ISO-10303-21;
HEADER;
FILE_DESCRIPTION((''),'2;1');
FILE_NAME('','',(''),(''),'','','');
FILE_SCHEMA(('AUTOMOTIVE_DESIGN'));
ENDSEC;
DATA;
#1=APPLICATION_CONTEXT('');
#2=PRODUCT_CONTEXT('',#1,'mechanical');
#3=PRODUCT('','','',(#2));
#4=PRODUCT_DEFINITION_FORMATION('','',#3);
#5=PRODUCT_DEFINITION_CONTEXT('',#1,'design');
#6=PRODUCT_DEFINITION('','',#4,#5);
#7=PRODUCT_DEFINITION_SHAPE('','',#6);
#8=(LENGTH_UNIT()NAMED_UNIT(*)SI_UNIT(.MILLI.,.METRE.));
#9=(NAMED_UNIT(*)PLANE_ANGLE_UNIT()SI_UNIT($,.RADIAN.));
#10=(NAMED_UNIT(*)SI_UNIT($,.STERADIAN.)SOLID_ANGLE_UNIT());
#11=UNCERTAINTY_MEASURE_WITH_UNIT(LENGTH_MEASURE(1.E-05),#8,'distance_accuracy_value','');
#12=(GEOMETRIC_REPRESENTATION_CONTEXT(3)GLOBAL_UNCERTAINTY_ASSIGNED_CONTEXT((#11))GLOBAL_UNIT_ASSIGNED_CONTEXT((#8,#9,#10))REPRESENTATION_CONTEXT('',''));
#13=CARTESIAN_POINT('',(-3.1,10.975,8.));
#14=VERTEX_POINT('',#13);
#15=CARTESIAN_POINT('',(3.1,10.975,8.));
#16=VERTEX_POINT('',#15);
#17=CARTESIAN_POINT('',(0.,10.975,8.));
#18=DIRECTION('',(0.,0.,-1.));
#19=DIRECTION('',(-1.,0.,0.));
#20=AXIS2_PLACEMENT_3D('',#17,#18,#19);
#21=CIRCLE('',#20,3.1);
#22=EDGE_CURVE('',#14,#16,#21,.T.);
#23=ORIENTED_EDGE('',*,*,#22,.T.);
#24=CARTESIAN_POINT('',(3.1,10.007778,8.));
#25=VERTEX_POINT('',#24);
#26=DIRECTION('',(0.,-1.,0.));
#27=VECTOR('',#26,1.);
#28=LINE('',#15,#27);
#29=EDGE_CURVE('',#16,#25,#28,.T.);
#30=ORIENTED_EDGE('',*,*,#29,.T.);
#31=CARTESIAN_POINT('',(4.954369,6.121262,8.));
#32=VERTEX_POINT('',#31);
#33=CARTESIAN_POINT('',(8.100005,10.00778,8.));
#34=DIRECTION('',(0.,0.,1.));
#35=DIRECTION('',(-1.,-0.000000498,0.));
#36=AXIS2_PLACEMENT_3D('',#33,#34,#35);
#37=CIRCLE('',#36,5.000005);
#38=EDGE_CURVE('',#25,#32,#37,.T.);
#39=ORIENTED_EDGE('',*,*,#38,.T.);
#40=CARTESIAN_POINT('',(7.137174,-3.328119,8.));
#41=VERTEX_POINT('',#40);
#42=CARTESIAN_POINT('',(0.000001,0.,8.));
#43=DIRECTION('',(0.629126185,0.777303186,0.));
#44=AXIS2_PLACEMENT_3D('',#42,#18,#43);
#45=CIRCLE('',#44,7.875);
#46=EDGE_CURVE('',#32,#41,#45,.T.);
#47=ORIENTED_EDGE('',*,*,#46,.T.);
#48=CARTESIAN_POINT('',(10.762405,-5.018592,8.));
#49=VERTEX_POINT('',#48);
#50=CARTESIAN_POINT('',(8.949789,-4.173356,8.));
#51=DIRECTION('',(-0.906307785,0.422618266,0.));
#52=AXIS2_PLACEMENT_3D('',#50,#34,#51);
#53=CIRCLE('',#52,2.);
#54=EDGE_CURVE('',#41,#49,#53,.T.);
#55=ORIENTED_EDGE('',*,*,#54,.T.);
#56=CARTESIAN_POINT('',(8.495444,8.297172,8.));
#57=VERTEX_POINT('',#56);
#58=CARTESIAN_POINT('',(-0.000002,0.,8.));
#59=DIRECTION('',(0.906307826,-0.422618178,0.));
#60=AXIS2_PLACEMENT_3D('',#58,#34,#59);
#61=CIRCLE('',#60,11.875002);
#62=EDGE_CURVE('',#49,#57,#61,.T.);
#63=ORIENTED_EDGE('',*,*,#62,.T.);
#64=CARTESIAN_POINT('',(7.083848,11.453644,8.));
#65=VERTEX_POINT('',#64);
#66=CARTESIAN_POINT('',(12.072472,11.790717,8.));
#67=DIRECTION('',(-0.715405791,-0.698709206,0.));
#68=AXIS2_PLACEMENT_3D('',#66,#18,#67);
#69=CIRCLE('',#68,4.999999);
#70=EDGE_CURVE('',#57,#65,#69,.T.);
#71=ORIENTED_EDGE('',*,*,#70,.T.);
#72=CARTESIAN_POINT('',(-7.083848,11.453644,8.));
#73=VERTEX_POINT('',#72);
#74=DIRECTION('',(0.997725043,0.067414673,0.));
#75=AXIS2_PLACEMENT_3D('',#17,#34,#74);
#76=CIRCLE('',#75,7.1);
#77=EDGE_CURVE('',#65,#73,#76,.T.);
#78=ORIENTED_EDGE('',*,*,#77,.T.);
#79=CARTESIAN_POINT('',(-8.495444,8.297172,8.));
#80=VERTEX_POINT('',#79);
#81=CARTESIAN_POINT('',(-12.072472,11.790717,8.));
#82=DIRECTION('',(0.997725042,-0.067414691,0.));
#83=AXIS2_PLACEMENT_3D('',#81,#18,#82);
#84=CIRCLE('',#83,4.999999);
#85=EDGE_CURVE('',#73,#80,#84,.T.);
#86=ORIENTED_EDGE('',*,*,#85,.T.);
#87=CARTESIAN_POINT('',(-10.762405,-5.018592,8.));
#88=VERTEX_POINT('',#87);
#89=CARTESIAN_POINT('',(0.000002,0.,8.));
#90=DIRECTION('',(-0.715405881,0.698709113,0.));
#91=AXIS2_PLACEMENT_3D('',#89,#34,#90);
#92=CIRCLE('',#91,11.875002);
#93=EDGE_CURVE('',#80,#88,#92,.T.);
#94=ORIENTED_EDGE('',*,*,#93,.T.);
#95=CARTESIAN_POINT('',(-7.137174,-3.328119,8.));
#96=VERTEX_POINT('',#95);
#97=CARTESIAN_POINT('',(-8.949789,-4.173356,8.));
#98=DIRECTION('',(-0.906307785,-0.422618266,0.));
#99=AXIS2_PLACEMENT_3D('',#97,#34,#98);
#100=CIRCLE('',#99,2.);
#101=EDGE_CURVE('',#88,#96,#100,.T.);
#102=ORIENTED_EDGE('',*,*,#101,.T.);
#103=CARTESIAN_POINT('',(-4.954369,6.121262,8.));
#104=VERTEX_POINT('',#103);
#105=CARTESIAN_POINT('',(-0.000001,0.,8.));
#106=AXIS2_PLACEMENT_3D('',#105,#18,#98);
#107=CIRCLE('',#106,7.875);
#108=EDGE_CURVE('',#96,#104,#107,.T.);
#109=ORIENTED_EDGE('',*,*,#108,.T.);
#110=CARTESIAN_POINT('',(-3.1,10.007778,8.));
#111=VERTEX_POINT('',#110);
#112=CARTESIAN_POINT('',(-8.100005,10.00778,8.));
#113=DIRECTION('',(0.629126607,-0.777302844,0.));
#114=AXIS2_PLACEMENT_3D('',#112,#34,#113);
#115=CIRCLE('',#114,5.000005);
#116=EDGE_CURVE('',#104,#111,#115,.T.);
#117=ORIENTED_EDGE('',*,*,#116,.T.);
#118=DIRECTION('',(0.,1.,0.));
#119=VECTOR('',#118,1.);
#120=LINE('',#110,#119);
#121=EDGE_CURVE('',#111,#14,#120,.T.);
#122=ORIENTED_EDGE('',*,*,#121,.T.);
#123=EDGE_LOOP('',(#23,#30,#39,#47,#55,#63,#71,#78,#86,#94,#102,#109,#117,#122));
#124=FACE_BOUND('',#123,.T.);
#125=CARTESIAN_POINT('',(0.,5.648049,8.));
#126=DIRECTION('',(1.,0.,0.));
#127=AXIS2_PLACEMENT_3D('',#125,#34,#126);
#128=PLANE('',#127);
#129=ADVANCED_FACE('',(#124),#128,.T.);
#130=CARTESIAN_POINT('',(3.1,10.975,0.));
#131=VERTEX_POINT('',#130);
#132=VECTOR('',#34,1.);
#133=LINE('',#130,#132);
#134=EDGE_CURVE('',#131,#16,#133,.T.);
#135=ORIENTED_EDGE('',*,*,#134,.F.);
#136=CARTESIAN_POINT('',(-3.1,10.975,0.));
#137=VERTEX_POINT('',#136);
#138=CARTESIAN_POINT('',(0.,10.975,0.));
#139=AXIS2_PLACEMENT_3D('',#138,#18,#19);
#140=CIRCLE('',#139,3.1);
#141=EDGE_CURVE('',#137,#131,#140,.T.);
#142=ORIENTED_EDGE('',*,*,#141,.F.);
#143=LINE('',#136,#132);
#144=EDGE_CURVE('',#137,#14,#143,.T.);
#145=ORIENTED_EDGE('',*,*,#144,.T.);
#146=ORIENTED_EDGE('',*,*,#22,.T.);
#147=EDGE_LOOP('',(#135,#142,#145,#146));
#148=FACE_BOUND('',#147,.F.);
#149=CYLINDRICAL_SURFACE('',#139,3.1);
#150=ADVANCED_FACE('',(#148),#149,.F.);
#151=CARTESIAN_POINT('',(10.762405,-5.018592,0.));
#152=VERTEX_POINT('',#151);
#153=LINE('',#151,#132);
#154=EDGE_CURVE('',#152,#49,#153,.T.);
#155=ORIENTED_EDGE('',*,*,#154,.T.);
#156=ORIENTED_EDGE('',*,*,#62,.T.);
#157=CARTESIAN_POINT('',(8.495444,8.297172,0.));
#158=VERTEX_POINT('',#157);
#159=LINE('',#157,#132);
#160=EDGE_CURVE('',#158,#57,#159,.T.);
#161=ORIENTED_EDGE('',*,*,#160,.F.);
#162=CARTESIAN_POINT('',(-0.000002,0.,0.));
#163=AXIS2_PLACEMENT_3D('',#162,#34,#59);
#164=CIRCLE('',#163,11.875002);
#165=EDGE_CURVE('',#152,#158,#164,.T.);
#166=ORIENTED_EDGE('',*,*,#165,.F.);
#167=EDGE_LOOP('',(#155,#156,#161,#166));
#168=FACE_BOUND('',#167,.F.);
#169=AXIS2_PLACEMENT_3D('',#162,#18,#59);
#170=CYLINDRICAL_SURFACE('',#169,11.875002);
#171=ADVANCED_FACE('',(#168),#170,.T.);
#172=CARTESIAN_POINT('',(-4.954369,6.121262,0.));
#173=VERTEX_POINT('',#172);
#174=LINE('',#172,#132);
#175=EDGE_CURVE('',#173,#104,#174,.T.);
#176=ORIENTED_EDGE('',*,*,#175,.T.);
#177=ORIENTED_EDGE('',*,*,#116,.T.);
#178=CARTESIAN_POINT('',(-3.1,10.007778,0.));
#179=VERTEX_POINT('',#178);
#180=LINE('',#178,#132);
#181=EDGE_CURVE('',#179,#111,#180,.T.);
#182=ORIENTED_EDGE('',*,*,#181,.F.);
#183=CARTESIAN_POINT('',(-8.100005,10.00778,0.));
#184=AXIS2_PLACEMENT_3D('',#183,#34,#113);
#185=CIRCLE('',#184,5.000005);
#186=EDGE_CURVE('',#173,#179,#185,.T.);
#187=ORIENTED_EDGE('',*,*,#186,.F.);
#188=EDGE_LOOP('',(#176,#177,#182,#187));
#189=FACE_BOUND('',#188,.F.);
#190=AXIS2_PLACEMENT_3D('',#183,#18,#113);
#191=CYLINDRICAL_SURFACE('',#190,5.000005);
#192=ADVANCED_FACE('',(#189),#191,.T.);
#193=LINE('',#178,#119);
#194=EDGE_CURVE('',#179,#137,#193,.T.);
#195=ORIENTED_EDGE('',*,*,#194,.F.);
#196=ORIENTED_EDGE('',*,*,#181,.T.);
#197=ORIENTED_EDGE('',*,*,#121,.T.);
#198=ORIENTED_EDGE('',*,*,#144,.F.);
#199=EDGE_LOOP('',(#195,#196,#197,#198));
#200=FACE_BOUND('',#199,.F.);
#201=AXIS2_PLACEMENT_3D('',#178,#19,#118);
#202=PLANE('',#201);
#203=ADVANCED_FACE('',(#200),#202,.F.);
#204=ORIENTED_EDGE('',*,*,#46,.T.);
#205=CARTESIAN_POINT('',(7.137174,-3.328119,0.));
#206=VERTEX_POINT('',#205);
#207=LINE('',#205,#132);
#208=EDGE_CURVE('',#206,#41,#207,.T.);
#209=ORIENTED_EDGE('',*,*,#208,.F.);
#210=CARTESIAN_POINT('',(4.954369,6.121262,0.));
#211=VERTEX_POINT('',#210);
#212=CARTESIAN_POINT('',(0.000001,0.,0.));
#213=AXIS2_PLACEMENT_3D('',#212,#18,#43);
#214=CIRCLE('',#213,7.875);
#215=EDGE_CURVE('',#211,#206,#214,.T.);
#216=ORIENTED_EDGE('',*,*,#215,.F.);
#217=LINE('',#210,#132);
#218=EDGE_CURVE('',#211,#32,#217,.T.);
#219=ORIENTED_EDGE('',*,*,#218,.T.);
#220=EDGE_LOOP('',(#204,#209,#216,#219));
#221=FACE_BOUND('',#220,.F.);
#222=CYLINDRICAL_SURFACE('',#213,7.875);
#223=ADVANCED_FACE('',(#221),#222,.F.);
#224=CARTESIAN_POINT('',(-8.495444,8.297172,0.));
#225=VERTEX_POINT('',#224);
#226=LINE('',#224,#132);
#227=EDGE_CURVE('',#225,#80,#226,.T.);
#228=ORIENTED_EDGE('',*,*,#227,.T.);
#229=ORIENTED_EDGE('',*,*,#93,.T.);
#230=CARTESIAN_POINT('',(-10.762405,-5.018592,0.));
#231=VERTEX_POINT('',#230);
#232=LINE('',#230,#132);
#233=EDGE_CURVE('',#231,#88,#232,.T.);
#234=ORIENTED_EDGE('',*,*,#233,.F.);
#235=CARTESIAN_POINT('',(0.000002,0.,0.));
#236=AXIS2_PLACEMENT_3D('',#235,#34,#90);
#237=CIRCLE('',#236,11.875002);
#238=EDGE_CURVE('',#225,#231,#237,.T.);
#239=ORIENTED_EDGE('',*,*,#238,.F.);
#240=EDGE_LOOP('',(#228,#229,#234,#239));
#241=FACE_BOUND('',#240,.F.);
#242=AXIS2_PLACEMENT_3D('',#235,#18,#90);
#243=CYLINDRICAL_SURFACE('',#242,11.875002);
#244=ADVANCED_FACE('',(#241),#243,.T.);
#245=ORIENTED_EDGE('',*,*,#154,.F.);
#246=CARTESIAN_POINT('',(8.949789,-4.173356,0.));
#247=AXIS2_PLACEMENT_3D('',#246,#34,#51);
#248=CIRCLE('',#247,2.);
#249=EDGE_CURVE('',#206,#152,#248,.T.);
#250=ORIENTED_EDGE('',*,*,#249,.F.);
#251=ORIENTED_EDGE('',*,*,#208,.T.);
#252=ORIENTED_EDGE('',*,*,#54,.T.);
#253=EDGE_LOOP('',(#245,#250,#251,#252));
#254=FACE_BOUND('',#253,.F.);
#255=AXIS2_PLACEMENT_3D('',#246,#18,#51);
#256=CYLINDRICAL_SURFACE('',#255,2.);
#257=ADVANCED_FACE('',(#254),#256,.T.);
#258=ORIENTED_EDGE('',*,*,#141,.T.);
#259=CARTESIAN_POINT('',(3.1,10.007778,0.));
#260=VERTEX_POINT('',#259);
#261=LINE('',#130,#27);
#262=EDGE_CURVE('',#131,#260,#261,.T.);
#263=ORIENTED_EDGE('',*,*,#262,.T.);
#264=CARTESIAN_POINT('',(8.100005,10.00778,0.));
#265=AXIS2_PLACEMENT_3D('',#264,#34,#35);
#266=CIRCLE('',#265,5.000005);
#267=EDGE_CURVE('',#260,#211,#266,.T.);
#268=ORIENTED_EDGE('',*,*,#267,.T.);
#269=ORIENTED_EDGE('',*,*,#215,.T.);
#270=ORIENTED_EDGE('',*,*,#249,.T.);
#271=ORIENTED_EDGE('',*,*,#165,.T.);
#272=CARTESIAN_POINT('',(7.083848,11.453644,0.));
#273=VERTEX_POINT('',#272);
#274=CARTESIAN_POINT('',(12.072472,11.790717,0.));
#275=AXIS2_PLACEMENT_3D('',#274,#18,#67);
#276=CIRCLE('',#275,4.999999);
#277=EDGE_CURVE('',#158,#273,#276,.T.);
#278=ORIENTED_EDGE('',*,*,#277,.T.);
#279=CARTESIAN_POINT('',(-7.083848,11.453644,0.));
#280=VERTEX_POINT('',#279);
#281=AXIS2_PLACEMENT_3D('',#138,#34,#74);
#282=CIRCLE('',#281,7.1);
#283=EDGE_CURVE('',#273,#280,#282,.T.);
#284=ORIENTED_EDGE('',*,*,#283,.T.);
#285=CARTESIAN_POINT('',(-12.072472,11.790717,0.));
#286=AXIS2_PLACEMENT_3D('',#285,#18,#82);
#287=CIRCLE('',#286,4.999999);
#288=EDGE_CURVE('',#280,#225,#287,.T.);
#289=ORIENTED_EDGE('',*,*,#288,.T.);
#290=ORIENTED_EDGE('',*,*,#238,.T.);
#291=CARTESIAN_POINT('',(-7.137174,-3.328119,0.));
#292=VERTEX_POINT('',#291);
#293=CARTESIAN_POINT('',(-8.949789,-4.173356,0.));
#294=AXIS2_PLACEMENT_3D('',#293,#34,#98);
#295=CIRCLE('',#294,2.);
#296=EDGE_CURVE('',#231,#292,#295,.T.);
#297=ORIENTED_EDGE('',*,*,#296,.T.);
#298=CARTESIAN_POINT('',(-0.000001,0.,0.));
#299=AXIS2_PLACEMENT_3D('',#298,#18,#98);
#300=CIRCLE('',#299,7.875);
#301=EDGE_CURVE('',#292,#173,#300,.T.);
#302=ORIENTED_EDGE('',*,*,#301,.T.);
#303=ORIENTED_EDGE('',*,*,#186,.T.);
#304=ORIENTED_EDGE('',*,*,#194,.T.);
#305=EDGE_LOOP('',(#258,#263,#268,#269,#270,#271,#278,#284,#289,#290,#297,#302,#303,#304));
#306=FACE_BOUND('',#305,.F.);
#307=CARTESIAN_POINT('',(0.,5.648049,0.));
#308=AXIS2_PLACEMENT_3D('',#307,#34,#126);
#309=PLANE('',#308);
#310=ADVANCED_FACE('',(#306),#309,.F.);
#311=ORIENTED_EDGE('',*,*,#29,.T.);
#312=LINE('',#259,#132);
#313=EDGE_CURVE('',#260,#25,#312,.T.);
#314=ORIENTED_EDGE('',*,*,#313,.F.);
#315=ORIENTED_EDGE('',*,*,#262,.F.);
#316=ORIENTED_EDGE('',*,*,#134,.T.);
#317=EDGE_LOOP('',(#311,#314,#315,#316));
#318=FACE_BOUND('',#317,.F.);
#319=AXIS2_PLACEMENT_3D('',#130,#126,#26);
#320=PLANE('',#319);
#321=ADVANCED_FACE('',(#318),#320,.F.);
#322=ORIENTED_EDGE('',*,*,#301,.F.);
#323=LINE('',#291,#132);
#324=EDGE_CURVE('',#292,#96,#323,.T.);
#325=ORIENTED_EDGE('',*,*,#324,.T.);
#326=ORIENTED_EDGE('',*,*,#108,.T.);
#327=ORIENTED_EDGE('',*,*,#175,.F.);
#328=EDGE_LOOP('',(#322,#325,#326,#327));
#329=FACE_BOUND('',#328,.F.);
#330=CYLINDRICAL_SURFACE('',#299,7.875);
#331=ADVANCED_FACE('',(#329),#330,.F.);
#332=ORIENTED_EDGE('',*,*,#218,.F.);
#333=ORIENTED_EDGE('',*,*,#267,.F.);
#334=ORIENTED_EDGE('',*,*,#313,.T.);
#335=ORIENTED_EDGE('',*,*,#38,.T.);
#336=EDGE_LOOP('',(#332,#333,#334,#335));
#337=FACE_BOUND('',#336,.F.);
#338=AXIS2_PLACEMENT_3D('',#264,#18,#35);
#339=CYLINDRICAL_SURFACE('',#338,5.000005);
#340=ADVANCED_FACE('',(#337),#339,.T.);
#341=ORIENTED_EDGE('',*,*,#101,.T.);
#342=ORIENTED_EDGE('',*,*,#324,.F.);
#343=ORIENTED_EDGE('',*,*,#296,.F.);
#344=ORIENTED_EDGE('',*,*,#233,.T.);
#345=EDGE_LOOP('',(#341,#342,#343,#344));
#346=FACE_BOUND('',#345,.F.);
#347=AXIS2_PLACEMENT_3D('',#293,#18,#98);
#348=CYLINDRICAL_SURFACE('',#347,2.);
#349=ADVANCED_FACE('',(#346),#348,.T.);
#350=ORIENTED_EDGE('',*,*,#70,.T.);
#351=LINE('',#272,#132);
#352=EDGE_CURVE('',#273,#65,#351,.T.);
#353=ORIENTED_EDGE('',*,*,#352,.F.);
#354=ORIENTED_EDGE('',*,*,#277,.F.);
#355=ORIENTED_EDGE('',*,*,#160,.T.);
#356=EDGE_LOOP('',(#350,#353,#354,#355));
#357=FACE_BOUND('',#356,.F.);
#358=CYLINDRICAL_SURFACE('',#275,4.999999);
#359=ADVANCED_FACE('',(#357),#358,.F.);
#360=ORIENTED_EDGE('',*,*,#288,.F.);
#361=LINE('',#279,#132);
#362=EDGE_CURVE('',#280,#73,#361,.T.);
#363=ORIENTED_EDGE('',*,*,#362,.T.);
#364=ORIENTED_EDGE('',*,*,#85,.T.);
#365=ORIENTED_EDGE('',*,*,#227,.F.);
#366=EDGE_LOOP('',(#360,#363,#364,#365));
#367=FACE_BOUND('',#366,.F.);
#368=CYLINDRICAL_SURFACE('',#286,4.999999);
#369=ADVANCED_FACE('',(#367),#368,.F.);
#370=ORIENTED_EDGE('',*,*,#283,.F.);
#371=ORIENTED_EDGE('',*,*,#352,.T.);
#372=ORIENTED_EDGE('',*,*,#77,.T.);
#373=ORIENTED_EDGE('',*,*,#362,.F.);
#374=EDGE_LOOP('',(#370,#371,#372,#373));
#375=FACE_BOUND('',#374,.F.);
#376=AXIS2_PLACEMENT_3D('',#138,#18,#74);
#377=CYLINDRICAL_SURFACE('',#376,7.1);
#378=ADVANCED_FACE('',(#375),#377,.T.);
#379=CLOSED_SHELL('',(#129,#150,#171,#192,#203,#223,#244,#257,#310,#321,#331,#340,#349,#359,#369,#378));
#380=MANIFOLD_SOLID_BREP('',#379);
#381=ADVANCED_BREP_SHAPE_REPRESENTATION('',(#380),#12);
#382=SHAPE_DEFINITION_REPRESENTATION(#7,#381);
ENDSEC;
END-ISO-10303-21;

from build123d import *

# Parameters (mm, degrees)
F2_DEPTH = 8


with BuildPart() as f2:
    # F1 (on Top) → F2 (new body)
    with BuildSketch(Plane.XY):
        with BuildLine():
            ThreePointArc((4.954369, 6.121262), (7.672943, 1.772448), (7.137174, -3.328119))
            ThreePointArc((7.137174, -3.328119), (8.104553, -5.985971), (10.762405, -5.018592))
            ThreePointArc((10.762405, -5.018592), (11.706561, 1.993), (8.495444, 8.297172))
            ThreePointArc((8.495444, 8.297172), (7.508107, 9.749502), (7.083848, 11.453644))
            ThreePointArc((7.083848, 11.453644), (0, 18.075), (-7.083848, 11.453644))
            ThreePointArc((-7.083848, 11.453644), (-7.508107, 9.749502), (-8.495444, 8.297172))
            ThreePointArc((-8.495444, 8.297172), (-11.706561, 1.993), (-10.762405, -5.018592))
            ThreePointArc((-10.762405, -5.018592), (-8.104553, -5.985971), (-7.137174, -3.328119))
            ThreePointArc((-7.137174, -3.328119), (-7.672943, 1.772448), (-4.954369, 6.121262))
            ThreePointArc((-4.954369, 6.121262), (-3.587343, 7.854659), (-3.1, 10.007778))
            Line((-3.1, 10.007778), (-3.1, 10.975))
            ThreePointArc((-3.1, 10.975), (0, 14.075), (3.1, 10.975))
            Line((3.1, 10.975), (3.1, 10.007778))
            ThreePointArc((3.1, 10.007778), (3.587343, 7.854659), (4.954369, 6.121262))
        make_face()
    extrude(amount=F2_DEPTH)


solid = f2.part
